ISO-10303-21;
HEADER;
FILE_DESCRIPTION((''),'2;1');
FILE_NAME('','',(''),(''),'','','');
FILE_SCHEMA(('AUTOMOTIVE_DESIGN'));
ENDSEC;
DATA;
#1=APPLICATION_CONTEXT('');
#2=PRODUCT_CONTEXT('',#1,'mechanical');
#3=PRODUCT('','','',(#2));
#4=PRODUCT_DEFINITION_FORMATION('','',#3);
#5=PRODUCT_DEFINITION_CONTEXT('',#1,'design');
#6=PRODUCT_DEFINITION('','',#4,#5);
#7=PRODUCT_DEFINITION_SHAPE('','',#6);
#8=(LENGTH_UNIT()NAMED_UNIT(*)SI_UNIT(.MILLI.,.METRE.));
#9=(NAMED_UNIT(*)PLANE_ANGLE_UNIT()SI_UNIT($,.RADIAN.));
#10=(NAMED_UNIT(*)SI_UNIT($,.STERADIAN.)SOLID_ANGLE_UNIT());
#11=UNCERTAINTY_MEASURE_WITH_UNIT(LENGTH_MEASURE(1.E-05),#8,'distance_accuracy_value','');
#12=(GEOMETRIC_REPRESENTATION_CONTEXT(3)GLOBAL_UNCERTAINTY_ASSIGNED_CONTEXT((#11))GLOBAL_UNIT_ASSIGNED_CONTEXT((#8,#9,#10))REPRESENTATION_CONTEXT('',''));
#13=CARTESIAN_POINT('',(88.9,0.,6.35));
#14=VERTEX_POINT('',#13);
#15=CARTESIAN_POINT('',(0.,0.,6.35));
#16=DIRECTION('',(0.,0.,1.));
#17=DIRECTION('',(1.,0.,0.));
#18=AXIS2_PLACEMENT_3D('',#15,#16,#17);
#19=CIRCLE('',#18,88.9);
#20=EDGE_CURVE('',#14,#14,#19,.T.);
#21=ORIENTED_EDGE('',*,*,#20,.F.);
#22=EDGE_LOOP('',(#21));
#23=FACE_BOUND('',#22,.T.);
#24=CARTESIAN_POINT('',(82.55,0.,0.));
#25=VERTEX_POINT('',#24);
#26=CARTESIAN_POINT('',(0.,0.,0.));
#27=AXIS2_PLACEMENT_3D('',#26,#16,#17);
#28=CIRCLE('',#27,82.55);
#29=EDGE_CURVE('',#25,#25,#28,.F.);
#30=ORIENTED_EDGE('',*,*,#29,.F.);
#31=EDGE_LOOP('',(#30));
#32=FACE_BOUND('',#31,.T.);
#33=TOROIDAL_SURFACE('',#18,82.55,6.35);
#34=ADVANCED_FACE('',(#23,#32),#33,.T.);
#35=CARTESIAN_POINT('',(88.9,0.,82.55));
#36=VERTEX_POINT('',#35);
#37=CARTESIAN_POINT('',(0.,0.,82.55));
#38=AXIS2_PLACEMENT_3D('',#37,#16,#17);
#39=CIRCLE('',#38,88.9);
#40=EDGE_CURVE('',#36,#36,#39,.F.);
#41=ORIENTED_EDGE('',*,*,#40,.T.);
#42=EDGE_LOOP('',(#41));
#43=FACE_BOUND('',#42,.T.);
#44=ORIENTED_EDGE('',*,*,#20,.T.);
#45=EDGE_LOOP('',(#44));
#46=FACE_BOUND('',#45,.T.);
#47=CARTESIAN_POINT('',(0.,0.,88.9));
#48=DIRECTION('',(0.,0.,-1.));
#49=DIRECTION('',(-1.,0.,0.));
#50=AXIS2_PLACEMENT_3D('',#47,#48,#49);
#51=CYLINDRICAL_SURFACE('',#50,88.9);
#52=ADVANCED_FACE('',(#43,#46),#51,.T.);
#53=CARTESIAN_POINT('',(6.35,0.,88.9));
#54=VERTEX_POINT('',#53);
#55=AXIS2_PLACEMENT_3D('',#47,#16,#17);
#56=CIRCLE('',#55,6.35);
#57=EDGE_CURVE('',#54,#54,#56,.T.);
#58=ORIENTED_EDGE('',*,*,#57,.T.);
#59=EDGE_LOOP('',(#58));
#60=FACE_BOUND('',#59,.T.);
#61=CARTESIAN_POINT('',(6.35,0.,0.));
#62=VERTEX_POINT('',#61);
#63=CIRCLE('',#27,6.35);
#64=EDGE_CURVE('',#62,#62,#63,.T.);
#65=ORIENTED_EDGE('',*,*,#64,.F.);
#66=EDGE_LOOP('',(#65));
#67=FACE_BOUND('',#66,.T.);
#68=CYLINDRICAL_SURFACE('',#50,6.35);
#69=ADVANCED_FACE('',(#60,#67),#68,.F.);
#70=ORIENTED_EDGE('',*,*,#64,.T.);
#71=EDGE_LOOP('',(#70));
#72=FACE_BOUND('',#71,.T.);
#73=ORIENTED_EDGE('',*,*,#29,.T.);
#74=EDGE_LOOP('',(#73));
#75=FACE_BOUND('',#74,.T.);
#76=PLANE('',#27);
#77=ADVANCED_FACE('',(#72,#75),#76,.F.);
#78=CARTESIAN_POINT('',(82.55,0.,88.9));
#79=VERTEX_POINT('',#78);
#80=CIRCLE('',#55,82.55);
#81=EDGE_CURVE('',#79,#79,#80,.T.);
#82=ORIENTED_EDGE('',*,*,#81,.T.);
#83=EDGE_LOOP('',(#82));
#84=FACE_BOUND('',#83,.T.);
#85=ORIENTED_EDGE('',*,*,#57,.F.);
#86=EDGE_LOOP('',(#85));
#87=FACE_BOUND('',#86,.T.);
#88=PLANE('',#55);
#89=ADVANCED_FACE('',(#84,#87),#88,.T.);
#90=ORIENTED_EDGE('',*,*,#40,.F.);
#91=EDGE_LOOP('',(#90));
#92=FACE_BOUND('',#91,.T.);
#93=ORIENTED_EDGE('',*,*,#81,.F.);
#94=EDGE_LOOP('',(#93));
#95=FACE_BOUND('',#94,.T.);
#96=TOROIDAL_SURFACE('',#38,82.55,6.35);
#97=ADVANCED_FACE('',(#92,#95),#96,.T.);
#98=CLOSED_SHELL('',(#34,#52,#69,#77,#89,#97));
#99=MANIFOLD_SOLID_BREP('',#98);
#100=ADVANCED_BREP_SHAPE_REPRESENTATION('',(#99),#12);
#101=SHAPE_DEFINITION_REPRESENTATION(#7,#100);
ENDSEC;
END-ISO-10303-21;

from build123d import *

# Parameters (mm, degrees)
SKETCH1_R           = 88.9
SKETCH1_R_2         = 6.35
BOSS_EXTRUDE1_DEPTH = 88.9
FILLET1_R           = 6.35


with BuildPart() as part:
    # Sketch1 → Boss-Extrude1 (new body)
    with BuildSketch(Plane.XY):
        Circle(SKETCH1_R)
        Circle(SKETCH1_R_2, mode=Mode.SUBTRACT)
    extrude(amount=BOSS_EXTRUDE1_DEPTH)

    # Fillet1
    fillet1_edges = [part.edges().sort_by_distance(p)[0] for p in [
        (-88.9, 0, 0),
        (-88.9, 0, 88.9),
    ]]
    fillet(fillet1_edges, radius=FILLET1_R)


solid = part.part
